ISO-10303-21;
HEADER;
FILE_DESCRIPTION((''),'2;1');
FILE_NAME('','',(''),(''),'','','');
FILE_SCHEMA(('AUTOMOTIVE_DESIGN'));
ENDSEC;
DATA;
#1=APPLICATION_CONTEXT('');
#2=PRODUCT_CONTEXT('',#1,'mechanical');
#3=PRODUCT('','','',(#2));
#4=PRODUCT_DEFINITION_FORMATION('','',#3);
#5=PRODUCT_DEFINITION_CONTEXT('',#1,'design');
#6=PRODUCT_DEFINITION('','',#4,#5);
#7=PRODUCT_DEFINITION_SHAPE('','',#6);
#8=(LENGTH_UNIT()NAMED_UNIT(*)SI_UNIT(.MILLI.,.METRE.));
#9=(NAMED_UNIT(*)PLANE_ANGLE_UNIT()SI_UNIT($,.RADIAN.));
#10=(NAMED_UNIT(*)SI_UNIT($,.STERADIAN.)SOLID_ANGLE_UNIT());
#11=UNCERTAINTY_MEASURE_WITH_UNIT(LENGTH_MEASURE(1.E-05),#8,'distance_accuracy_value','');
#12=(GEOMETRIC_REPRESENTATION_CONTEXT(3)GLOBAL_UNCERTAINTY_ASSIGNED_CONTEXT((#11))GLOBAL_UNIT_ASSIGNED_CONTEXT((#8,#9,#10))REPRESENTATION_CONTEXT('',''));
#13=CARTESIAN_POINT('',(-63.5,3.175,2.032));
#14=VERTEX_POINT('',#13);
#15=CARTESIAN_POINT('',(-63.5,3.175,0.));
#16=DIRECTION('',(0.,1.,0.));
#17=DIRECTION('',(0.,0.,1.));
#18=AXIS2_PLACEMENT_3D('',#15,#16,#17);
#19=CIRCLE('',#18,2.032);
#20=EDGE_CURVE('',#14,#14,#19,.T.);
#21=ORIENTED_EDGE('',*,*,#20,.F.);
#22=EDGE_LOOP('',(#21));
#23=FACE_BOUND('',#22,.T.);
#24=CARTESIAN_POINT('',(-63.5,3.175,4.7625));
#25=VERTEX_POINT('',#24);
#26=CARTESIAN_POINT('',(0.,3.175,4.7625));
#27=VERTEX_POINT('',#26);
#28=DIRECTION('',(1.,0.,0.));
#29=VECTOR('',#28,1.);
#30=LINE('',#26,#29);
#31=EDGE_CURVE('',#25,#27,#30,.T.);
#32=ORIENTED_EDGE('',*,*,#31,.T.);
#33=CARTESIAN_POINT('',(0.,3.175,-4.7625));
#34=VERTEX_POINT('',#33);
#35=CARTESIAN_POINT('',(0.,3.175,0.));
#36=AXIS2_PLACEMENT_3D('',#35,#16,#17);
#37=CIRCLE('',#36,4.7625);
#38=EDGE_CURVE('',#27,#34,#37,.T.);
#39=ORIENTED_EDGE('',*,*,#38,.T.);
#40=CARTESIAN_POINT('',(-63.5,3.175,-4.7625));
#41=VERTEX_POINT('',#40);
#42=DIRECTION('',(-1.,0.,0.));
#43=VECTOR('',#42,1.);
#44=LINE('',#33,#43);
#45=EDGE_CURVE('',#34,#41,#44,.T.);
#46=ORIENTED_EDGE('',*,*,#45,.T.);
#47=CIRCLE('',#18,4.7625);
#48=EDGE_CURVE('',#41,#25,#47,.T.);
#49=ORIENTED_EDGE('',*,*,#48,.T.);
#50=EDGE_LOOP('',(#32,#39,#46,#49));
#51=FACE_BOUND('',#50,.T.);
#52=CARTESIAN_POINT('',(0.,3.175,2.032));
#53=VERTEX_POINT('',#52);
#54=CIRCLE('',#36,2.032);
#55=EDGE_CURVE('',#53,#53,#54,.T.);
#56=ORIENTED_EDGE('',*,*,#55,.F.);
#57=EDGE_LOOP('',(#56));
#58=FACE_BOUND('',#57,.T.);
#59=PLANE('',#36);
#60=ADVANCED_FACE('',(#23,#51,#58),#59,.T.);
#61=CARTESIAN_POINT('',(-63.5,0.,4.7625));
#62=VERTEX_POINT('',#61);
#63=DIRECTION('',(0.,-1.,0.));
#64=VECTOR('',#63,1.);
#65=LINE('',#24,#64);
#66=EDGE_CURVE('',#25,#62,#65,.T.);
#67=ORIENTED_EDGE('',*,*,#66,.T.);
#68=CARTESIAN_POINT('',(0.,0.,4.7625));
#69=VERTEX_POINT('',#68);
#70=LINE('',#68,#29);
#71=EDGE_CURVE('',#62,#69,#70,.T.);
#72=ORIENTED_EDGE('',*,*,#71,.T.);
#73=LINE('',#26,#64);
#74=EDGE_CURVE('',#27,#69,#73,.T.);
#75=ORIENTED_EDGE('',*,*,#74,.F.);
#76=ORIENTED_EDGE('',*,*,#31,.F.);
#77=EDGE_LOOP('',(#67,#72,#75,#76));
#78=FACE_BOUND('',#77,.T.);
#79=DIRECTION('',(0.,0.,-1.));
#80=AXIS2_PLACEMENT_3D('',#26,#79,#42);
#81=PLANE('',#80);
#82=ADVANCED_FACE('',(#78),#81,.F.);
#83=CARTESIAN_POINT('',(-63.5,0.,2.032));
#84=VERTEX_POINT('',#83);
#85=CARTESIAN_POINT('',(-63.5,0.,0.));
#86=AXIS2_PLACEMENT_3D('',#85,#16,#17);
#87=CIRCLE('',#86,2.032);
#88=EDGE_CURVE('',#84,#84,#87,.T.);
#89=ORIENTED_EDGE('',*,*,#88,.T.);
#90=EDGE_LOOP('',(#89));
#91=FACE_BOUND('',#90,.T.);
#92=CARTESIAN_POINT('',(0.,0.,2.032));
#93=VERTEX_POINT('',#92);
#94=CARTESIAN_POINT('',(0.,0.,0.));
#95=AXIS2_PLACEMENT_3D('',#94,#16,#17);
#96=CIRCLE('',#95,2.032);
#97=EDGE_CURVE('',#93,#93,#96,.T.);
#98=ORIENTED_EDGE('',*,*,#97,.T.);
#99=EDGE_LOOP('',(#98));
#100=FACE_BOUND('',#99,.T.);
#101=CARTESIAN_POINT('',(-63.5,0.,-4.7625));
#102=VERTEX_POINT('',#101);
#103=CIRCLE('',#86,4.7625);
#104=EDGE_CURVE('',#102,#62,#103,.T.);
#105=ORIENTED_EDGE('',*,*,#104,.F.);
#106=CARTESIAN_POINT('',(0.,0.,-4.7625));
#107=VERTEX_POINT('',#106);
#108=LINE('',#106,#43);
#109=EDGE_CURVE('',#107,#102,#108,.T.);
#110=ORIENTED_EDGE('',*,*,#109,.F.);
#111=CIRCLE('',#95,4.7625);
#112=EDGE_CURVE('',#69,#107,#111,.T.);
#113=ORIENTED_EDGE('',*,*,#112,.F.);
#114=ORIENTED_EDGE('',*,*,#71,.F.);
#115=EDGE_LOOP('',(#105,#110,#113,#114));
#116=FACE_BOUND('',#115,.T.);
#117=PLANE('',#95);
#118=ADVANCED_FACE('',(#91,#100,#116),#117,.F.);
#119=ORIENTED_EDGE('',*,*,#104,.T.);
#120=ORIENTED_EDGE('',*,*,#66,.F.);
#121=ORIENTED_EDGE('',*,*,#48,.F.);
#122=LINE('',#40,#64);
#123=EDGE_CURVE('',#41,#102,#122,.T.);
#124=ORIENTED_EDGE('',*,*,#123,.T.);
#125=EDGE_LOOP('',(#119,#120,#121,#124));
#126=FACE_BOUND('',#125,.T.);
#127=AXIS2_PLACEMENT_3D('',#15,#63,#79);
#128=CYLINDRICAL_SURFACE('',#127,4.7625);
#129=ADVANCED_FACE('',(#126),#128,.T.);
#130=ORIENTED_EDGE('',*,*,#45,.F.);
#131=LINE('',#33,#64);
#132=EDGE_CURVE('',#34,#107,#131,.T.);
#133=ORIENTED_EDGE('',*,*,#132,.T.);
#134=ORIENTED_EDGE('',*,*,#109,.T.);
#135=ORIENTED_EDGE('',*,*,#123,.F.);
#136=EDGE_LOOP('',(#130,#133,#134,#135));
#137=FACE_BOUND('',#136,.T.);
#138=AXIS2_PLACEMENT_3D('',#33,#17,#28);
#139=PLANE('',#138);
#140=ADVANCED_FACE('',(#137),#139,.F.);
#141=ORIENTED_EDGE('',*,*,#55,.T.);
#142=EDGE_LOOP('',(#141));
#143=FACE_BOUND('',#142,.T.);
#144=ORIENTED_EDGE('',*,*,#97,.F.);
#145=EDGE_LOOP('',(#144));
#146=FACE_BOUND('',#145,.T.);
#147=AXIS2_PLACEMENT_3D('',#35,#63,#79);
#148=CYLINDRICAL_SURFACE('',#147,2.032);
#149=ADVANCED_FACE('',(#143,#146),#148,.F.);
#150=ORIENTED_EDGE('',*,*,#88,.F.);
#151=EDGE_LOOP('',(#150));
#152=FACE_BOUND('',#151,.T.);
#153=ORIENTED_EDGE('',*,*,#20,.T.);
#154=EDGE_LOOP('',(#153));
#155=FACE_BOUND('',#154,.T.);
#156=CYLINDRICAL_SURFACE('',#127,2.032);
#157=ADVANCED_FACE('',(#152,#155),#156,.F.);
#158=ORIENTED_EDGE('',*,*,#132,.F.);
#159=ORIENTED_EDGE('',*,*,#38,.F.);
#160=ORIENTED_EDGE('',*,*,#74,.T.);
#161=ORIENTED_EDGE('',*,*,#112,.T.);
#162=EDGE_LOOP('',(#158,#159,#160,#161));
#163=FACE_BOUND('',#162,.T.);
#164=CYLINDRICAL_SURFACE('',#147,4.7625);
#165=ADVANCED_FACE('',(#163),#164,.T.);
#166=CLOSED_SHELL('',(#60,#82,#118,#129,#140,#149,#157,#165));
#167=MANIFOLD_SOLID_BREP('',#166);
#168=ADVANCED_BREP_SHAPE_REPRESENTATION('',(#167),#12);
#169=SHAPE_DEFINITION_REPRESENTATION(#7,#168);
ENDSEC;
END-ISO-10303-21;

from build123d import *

# Parameters (mm, degrees)
SKETCH1_R           = 2.032
BOSS_EXTRUDE1_DEPTH = 3.175


with BuildPart() as part:
    # Sketch1 → Boss-Extrude1 (new body)
    with BuildSketch(Plane(origin=(0, 0, 0), x_dir=(1, 0, 0), z_dir=(0, 1, 0))):
        with BuildLine():
            Line((0, -4.7625), (-63.5, -4.7625))
            ThreePointArc((-63.5, -4.7625), (-68.2625, 0), (-63.5, 4.7625))
            Line((-63.5, 4.7625), (0, 4.7625))
            ThreePointArc((0, 4.7625), (4.7625, 0), (0, -4.7625))
        make_face()
        with Locations(Location((-63.5, 0, 0), (0, 0, 270))):
            Circle(SKETCH1_R, mode=Mode.SUBTRACT)
        with Locations(Location((0, 0, 0), (0, 0, 270))):
            Circle(SKETCH1_R, mode=Mode.SUBTRACT)
    extrude(amount=BOSS_EXTRUDE1_DEPTH)


solid = part.part
